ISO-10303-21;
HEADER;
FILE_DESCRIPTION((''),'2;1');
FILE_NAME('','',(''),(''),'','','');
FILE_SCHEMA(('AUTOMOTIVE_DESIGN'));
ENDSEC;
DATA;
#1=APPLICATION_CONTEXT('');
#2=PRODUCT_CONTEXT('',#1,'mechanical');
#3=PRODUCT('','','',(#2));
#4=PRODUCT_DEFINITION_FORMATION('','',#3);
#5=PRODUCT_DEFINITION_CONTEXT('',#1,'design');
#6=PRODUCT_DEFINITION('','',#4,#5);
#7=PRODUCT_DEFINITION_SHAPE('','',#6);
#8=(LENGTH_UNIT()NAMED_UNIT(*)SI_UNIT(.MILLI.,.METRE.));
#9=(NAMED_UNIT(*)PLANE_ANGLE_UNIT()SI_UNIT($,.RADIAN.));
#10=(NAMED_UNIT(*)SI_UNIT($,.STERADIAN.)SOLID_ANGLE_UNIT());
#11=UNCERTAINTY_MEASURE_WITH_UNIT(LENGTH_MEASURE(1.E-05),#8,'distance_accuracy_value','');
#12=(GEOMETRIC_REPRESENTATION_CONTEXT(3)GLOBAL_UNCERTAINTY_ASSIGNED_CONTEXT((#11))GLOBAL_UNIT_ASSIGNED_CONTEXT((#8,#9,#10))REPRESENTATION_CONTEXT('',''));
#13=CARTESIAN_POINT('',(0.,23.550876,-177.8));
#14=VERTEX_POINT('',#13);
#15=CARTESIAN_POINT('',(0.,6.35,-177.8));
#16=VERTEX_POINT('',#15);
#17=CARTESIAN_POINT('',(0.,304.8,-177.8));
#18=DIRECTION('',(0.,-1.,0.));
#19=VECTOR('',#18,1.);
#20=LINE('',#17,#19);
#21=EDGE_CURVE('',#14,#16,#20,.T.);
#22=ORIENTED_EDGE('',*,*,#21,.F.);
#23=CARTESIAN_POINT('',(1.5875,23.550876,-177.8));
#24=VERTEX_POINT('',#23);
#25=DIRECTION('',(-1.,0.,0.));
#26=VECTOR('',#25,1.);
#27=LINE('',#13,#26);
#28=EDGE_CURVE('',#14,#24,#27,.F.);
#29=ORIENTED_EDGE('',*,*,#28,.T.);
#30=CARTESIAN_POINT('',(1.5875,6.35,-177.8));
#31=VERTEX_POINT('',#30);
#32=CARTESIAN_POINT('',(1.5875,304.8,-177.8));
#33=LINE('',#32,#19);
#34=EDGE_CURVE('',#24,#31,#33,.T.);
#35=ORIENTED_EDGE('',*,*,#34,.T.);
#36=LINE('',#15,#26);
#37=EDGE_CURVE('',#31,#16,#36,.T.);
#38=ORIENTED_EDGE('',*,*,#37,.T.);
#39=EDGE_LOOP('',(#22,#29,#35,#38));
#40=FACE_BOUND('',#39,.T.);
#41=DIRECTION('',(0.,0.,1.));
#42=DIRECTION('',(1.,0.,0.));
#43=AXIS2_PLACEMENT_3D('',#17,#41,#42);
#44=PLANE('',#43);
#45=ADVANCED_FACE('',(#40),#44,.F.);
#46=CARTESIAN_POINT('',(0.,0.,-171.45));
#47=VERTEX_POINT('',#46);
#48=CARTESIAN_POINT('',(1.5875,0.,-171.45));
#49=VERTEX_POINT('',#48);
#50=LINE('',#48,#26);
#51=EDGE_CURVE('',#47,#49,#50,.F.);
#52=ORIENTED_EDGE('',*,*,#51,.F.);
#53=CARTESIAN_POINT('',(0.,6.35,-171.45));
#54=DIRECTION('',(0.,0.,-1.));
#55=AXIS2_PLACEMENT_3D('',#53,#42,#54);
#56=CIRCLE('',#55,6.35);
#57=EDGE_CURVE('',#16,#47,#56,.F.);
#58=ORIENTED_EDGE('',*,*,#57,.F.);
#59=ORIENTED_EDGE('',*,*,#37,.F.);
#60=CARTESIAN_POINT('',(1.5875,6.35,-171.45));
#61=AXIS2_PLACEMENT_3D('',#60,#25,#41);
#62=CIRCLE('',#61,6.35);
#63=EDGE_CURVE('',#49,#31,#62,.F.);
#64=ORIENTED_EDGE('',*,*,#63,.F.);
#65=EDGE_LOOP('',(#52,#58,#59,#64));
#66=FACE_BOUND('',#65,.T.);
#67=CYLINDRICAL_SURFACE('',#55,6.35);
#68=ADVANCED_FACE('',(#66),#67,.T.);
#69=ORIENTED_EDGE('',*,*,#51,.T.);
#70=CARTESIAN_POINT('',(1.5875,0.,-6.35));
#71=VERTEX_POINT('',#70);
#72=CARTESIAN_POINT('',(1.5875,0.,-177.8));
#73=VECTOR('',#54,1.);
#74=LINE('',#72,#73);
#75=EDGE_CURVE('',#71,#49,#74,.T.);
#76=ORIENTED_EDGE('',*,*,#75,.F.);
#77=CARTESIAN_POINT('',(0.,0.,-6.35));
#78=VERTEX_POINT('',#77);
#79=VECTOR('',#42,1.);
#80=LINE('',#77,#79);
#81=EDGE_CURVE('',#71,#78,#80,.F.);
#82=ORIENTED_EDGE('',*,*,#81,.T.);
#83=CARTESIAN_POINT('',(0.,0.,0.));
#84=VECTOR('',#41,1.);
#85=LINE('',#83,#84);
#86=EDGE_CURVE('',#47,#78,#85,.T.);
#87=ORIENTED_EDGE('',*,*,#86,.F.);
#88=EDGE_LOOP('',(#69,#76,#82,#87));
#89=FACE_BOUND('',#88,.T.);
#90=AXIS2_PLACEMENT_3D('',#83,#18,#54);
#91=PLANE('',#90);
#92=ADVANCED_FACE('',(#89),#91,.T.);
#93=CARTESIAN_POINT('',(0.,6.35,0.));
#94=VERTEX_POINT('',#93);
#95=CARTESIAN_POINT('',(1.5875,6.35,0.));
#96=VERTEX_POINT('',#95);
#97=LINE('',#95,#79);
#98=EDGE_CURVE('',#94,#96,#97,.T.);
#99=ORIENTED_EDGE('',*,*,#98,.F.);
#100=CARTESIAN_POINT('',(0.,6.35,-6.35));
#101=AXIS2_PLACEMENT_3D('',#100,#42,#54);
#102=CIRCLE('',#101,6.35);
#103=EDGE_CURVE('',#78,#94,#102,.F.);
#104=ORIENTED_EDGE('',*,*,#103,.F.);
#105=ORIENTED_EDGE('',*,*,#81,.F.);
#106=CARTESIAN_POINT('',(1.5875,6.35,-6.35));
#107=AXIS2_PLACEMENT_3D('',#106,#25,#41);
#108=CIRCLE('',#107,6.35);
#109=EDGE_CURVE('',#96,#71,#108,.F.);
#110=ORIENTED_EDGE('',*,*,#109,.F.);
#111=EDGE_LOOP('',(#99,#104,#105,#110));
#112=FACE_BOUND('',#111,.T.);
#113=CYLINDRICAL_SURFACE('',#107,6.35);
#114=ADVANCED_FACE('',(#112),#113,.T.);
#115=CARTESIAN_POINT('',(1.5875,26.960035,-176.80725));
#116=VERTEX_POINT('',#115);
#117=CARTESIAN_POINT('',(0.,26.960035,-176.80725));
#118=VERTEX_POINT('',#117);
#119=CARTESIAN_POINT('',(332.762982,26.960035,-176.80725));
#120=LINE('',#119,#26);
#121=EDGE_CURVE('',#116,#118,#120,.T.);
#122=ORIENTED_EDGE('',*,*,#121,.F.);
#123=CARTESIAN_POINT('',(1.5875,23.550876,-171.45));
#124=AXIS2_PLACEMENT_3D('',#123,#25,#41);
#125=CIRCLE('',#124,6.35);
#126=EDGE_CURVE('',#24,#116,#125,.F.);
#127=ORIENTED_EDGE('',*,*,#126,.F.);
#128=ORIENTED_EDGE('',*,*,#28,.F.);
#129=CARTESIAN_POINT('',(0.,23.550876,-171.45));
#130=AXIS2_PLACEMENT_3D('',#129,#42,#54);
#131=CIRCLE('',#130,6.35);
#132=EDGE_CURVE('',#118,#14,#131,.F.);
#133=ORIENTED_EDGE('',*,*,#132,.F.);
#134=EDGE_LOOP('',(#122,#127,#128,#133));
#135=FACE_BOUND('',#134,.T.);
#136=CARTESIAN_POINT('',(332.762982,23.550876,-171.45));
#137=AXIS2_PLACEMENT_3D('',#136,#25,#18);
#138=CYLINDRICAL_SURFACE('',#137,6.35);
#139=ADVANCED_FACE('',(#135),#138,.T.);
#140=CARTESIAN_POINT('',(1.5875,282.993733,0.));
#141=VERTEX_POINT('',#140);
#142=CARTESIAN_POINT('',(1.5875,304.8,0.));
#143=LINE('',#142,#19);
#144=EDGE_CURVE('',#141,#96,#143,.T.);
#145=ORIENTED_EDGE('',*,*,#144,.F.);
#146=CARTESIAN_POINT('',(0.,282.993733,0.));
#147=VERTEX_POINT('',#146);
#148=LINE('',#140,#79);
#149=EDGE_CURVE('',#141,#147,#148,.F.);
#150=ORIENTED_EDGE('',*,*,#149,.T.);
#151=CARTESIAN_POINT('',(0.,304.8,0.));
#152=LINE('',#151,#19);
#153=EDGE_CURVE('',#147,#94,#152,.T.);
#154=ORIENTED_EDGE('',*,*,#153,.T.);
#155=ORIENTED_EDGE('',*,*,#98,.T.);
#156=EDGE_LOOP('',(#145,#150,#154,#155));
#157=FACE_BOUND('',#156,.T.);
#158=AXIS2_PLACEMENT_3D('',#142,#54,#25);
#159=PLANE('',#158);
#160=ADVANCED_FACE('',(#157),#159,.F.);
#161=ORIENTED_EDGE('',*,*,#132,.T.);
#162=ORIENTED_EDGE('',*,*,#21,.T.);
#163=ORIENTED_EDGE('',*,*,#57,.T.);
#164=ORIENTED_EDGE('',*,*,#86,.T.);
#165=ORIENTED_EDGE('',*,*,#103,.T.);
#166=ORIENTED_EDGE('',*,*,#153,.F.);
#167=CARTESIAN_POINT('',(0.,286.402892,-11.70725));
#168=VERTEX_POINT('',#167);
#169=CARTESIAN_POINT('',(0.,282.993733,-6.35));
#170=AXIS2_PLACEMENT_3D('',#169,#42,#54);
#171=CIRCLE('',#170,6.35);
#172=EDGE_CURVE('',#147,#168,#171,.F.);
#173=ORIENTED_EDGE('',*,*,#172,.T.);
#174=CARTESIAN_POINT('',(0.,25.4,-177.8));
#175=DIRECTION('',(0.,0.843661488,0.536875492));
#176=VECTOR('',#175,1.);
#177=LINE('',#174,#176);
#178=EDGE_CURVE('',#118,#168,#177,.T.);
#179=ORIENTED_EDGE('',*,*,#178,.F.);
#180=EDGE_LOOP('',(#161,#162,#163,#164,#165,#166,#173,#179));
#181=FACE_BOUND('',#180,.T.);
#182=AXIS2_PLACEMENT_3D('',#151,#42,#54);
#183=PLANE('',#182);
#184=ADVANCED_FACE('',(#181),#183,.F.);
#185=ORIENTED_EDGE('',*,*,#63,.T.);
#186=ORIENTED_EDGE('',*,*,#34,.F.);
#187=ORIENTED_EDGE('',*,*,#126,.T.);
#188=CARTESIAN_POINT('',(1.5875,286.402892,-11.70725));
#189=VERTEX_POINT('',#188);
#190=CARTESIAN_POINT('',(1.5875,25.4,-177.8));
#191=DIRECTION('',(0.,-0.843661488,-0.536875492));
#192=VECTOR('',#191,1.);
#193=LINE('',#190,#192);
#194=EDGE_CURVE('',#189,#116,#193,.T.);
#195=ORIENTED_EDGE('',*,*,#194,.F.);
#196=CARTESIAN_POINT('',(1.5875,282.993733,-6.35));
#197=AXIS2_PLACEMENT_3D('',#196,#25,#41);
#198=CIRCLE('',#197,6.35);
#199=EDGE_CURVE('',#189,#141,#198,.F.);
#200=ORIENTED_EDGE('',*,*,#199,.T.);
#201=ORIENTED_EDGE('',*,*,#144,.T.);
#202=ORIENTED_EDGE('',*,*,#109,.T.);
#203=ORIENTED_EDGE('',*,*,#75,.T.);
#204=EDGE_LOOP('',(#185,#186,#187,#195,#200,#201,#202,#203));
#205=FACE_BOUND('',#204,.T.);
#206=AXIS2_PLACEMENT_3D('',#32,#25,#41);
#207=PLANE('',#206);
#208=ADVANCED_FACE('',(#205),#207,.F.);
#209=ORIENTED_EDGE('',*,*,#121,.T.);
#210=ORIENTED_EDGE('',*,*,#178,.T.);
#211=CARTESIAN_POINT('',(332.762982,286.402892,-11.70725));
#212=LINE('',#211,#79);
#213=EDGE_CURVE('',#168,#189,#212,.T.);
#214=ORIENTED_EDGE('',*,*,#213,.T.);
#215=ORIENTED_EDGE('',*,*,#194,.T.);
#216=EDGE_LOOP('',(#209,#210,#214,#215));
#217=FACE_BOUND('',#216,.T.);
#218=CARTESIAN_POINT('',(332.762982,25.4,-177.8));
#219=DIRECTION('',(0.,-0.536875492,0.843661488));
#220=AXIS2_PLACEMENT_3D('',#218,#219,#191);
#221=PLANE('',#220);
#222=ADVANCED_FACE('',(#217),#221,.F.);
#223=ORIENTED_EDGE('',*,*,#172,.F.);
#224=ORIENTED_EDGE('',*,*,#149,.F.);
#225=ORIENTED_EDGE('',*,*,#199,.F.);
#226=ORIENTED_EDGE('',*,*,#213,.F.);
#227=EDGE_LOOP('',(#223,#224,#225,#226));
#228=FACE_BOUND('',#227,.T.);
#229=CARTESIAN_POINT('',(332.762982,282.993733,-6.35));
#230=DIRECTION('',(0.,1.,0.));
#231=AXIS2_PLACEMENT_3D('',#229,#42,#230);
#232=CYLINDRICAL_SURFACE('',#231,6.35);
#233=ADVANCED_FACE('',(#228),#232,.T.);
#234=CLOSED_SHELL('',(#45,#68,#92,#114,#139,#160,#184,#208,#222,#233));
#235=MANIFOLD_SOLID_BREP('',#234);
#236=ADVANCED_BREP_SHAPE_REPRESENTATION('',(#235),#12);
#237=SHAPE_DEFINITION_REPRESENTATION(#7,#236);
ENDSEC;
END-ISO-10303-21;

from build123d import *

# Parameters (mm, degrees)
SKETCH1_W           = 1.5875
SKETCH1_H           = 177.8
BOSS_EXTRUDE1_DEPTH = 304.8
CUT_EXTRUDE1_DEPTH  = 1.5875
FILLET1_R           = 6.35


with BuildPart() as part:
    # Sketch1 → Boss-Extrude1 (new body)
    with BuildSketch(Plane(origin=(0, 0, 0), x_dir=(1, 0, 0), z_dir=(0, 1, 0))):
        with Locations((0.79375, 88.9)):
            Rectangle(SKETCH1_W, SKETCH1_H)
    extrude(amount=BOSS_EXTRUDE1_DEPTH)

    # Sketch2 → Cut-Extrude1 (cut)
    with BuildSketch(Plane.ZY):
        Polygon((-177.8, 25.4), (0, 304.8), (-177.8, 304.8), align=None)
    extrude(amount=-CUT_EXTRUDE1_DEPTH, mode=Mode.SUBTRACT)

    # Fillet1
    fillet1_edges = [part.edges().sort_by_distance(p)[0] for p in [
        (0.79375, 25.4, -177.8),
        (0.79375, 304.8, 0),
        (0.79375, 0, -177.8),
        (0.79375, 0, 0),
    ]]
    fillet(fillet1_edges, radius=FILLET1_R)


solid = part.part
